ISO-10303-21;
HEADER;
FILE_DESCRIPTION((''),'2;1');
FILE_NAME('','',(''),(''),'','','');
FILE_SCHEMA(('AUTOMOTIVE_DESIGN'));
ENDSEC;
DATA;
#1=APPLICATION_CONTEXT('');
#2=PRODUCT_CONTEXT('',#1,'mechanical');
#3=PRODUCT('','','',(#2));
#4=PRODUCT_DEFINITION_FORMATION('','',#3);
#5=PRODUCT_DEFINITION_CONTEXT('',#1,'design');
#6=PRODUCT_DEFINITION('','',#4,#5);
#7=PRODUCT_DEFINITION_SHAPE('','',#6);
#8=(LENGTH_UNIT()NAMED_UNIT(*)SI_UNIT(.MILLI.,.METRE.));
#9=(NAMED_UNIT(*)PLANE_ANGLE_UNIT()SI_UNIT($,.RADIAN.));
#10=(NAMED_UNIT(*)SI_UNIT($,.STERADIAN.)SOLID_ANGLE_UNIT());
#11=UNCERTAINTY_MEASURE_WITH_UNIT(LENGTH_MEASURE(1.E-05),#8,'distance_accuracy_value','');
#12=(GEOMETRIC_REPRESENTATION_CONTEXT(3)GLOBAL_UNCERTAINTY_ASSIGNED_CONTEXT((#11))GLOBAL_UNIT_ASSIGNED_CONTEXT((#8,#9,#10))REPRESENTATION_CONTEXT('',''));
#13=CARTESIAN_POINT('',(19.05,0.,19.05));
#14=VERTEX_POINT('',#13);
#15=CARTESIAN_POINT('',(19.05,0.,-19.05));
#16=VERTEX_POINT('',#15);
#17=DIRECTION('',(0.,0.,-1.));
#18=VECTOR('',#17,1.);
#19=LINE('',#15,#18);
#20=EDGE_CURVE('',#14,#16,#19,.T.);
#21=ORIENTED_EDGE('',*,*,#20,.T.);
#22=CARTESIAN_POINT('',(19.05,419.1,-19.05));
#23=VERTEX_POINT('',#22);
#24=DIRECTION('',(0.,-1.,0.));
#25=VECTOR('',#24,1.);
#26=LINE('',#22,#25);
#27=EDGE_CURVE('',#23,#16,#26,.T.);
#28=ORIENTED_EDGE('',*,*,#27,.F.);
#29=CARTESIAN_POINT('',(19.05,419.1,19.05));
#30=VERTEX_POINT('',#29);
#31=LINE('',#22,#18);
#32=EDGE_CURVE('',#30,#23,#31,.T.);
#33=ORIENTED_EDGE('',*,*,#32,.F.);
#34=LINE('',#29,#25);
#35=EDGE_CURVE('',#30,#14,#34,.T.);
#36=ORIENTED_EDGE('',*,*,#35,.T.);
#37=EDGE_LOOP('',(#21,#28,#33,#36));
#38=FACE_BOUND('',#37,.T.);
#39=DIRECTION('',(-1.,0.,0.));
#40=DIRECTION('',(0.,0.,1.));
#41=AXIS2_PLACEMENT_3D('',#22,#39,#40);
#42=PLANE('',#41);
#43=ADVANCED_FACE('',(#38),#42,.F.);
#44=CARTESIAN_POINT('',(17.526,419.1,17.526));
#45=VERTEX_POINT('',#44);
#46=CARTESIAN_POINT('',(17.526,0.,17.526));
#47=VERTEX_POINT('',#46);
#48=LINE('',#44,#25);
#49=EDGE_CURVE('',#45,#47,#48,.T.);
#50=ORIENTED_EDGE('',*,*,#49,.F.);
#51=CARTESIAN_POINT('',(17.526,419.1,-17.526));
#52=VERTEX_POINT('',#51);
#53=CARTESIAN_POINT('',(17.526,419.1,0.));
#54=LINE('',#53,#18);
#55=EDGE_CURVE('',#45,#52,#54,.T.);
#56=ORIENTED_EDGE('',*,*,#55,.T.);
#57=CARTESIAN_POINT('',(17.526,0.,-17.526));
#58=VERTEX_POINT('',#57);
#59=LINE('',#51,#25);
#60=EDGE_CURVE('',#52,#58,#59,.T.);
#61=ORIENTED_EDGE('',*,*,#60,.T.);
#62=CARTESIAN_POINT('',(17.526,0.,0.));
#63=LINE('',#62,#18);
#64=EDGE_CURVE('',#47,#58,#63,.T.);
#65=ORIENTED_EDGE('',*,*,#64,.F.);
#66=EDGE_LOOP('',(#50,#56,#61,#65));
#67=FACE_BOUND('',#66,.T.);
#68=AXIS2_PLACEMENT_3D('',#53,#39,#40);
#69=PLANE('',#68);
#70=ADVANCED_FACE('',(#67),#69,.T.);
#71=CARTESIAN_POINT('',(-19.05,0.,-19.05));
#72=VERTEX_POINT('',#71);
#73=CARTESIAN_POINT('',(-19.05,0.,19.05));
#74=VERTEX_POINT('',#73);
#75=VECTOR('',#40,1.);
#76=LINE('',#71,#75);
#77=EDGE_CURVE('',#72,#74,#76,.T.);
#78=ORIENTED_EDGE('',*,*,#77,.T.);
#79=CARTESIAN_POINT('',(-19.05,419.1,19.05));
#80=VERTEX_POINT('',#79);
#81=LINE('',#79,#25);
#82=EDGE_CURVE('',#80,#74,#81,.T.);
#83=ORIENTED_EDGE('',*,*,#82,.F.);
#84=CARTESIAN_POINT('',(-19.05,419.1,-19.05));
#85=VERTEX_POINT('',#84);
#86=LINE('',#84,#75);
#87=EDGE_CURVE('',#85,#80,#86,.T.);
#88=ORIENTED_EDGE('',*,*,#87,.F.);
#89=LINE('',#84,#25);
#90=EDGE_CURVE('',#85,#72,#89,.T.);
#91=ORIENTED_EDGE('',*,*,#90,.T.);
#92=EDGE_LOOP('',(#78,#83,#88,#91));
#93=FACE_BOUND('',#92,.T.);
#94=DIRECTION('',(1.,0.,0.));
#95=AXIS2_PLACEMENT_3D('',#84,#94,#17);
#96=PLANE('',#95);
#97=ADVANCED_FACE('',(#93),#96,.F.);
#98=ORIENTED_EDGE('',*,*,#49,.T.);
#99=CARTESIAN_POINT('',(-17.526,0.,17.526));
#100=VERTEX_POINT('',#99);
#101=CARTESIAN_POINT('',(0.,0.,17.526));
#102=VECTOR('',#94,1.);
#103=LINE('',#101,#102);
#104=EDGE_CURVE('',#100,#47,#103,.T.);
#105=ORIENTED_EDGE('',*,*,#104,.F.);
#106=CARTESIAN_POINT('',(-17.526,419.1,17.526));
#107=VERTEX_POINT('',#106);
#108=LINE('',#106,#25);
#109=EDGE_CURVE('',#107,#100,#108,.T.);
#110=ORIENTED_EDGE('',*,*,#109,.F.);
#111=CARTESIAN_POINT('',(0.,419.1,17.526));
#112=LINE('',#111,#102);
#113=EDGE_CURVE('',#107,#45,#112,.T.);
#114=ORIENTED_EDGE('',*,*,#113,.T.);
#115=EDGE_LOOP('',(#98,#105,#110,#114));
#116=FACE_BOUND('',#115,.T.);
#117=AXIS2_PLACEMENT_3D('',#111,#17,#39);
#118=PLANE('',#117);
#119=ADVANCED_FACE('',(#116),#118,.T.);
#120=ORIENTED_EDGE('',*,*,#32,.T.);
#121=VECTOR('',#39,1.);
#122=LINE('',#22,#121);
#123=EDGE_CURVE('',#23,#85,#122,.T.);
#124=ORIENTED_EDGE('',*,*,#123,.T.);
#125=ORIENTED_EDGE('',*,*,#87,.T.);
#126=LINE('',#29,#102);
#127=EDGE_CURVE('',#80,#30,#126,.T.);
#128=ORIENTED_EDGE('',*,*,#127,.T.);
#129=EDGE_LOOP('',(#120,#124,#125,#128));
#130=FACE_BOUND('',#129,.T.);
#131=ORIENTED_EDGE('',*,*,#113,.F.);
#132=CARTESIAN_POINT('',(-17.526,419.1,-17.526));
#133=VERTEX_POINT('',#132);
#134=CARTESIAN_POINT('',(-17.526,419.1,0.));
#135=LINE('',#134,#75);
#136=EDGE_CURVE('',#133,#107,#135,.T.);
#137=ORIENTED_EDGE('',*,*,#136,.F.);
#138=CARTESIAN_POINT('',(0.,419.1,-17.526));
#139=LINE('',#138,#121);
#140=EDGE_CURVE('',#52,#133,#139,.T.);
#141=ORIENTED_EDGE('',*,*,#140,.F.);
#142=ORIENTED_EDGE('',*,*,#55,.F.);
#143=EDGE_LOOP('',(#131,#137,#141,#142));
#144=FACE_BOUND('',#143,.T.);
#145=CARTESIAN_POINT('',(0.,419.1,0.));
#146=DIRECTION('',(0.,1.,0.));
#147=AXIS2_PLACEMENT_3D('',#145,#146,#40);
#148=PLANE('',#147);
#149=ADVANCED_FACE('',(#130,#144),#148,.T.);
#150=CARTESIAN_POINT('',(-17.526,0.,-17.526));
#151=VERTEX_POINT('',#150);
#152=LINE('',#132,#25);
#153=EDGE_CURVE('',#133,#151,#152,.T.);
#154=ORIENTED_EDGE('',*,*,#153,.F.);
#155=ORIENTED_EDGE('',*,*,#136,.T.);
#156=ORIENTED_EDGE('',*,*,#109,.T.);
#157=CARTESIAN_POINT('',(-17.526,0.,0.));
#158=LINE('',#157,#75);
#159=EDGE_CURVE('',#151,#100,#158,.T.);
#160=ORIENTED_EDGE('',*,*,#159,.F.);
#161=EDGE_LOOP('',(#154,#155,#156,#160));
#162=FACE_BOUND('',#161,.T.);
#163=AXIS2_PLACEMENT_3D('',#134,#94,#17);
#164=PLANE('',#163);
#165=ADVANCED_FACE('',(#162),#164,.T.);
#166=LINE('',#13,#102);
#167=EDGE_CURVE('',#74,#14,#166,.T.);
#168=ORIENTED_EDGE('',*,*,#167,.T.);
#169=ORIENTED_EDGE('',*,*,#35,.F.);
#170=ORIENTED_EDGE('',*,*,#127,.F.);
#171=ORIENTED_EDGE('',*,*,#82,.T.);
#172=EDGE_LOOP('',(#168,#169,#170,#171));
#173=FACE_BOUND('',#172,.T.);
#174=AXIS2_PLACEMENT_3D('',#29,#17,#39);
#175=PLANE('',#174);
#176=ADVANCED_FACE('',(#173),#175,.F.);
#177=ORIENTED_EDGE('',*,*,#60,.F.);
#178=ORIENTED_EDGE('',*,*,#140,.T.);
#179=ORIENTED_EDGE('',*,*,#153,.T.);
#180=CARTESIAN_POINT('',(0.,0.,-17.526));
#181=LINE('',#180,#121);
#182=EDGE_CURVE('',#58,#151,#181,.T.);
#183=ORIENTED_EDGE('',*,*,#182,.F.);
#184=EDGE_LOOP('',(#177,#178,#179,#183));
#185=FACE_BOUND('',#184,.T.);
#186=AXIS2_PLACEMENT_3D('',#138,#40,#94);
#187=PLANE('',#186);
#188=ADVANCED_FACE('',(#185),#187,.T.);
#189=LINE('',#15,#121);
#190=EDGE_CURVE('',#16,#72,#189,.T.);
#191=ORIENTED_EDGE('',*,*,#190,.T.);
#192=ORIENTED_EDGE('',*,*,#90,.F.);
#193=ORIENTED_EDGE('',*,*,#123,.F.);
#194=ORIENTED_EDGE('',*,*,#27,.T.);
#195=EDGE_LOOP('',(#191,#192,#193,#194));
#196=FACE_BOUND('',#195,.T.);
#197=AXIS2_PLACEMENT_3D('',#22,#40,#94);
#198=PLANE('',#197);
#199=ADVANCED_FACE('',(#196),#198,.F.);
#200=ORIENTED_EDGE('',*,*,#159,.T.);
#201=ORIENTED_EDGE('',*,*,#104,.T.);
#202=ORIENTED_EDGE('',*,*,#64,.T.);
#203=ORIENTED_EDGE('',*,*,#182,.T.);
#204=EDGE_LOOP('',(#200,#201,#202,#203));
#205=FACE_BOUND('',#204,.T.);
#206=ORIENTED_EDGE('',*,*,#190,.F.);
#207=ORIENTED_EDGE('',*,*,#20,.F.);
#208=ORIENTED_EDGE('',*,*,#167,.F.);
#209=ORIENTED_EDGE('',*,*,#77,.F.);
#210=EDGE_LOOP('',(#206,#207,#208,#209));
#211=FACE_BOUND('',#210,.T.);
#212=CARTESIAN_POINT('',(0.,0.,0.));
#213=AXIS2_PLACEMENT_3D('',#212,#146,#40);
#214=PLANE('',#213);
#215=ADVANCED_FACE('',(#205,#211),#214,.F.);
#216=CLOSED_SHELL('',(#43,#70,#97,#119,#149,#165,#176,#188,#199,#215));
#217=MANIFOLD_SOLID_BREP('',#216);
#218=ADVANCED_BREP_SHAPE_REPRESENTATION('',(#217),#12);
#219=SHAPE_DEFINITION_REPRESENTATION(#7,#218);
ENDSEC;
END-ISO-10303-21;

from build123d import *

# Parameters (mm, degrees)
SKETCH1_W           = 38.1
SKETCH1_H           = 38.1
SKETCH1_W_2         = 35.052
SKETCH1_H_2         = 35.052
EXTRUDE_THIN1_DEPTH = 419.1


with BuildPart() as part:
    # Sketch1 → Extrude-Thin1 (new body)
    with BuildSketch(Plane(origin=(0, 0, 0), x_dir=(1, 0, 0), z_dir=(0, 1, 0))):
        Rectangle(SKETCH1_W, SKETCH1_H)
        Rectangle(SKETCH1_W_2, SKETCH1_H_2, mode=Mode.SUBTRACT)
    extrude(amount=EXTRUDE_THIN1_DEPTH)


solid = part.part
